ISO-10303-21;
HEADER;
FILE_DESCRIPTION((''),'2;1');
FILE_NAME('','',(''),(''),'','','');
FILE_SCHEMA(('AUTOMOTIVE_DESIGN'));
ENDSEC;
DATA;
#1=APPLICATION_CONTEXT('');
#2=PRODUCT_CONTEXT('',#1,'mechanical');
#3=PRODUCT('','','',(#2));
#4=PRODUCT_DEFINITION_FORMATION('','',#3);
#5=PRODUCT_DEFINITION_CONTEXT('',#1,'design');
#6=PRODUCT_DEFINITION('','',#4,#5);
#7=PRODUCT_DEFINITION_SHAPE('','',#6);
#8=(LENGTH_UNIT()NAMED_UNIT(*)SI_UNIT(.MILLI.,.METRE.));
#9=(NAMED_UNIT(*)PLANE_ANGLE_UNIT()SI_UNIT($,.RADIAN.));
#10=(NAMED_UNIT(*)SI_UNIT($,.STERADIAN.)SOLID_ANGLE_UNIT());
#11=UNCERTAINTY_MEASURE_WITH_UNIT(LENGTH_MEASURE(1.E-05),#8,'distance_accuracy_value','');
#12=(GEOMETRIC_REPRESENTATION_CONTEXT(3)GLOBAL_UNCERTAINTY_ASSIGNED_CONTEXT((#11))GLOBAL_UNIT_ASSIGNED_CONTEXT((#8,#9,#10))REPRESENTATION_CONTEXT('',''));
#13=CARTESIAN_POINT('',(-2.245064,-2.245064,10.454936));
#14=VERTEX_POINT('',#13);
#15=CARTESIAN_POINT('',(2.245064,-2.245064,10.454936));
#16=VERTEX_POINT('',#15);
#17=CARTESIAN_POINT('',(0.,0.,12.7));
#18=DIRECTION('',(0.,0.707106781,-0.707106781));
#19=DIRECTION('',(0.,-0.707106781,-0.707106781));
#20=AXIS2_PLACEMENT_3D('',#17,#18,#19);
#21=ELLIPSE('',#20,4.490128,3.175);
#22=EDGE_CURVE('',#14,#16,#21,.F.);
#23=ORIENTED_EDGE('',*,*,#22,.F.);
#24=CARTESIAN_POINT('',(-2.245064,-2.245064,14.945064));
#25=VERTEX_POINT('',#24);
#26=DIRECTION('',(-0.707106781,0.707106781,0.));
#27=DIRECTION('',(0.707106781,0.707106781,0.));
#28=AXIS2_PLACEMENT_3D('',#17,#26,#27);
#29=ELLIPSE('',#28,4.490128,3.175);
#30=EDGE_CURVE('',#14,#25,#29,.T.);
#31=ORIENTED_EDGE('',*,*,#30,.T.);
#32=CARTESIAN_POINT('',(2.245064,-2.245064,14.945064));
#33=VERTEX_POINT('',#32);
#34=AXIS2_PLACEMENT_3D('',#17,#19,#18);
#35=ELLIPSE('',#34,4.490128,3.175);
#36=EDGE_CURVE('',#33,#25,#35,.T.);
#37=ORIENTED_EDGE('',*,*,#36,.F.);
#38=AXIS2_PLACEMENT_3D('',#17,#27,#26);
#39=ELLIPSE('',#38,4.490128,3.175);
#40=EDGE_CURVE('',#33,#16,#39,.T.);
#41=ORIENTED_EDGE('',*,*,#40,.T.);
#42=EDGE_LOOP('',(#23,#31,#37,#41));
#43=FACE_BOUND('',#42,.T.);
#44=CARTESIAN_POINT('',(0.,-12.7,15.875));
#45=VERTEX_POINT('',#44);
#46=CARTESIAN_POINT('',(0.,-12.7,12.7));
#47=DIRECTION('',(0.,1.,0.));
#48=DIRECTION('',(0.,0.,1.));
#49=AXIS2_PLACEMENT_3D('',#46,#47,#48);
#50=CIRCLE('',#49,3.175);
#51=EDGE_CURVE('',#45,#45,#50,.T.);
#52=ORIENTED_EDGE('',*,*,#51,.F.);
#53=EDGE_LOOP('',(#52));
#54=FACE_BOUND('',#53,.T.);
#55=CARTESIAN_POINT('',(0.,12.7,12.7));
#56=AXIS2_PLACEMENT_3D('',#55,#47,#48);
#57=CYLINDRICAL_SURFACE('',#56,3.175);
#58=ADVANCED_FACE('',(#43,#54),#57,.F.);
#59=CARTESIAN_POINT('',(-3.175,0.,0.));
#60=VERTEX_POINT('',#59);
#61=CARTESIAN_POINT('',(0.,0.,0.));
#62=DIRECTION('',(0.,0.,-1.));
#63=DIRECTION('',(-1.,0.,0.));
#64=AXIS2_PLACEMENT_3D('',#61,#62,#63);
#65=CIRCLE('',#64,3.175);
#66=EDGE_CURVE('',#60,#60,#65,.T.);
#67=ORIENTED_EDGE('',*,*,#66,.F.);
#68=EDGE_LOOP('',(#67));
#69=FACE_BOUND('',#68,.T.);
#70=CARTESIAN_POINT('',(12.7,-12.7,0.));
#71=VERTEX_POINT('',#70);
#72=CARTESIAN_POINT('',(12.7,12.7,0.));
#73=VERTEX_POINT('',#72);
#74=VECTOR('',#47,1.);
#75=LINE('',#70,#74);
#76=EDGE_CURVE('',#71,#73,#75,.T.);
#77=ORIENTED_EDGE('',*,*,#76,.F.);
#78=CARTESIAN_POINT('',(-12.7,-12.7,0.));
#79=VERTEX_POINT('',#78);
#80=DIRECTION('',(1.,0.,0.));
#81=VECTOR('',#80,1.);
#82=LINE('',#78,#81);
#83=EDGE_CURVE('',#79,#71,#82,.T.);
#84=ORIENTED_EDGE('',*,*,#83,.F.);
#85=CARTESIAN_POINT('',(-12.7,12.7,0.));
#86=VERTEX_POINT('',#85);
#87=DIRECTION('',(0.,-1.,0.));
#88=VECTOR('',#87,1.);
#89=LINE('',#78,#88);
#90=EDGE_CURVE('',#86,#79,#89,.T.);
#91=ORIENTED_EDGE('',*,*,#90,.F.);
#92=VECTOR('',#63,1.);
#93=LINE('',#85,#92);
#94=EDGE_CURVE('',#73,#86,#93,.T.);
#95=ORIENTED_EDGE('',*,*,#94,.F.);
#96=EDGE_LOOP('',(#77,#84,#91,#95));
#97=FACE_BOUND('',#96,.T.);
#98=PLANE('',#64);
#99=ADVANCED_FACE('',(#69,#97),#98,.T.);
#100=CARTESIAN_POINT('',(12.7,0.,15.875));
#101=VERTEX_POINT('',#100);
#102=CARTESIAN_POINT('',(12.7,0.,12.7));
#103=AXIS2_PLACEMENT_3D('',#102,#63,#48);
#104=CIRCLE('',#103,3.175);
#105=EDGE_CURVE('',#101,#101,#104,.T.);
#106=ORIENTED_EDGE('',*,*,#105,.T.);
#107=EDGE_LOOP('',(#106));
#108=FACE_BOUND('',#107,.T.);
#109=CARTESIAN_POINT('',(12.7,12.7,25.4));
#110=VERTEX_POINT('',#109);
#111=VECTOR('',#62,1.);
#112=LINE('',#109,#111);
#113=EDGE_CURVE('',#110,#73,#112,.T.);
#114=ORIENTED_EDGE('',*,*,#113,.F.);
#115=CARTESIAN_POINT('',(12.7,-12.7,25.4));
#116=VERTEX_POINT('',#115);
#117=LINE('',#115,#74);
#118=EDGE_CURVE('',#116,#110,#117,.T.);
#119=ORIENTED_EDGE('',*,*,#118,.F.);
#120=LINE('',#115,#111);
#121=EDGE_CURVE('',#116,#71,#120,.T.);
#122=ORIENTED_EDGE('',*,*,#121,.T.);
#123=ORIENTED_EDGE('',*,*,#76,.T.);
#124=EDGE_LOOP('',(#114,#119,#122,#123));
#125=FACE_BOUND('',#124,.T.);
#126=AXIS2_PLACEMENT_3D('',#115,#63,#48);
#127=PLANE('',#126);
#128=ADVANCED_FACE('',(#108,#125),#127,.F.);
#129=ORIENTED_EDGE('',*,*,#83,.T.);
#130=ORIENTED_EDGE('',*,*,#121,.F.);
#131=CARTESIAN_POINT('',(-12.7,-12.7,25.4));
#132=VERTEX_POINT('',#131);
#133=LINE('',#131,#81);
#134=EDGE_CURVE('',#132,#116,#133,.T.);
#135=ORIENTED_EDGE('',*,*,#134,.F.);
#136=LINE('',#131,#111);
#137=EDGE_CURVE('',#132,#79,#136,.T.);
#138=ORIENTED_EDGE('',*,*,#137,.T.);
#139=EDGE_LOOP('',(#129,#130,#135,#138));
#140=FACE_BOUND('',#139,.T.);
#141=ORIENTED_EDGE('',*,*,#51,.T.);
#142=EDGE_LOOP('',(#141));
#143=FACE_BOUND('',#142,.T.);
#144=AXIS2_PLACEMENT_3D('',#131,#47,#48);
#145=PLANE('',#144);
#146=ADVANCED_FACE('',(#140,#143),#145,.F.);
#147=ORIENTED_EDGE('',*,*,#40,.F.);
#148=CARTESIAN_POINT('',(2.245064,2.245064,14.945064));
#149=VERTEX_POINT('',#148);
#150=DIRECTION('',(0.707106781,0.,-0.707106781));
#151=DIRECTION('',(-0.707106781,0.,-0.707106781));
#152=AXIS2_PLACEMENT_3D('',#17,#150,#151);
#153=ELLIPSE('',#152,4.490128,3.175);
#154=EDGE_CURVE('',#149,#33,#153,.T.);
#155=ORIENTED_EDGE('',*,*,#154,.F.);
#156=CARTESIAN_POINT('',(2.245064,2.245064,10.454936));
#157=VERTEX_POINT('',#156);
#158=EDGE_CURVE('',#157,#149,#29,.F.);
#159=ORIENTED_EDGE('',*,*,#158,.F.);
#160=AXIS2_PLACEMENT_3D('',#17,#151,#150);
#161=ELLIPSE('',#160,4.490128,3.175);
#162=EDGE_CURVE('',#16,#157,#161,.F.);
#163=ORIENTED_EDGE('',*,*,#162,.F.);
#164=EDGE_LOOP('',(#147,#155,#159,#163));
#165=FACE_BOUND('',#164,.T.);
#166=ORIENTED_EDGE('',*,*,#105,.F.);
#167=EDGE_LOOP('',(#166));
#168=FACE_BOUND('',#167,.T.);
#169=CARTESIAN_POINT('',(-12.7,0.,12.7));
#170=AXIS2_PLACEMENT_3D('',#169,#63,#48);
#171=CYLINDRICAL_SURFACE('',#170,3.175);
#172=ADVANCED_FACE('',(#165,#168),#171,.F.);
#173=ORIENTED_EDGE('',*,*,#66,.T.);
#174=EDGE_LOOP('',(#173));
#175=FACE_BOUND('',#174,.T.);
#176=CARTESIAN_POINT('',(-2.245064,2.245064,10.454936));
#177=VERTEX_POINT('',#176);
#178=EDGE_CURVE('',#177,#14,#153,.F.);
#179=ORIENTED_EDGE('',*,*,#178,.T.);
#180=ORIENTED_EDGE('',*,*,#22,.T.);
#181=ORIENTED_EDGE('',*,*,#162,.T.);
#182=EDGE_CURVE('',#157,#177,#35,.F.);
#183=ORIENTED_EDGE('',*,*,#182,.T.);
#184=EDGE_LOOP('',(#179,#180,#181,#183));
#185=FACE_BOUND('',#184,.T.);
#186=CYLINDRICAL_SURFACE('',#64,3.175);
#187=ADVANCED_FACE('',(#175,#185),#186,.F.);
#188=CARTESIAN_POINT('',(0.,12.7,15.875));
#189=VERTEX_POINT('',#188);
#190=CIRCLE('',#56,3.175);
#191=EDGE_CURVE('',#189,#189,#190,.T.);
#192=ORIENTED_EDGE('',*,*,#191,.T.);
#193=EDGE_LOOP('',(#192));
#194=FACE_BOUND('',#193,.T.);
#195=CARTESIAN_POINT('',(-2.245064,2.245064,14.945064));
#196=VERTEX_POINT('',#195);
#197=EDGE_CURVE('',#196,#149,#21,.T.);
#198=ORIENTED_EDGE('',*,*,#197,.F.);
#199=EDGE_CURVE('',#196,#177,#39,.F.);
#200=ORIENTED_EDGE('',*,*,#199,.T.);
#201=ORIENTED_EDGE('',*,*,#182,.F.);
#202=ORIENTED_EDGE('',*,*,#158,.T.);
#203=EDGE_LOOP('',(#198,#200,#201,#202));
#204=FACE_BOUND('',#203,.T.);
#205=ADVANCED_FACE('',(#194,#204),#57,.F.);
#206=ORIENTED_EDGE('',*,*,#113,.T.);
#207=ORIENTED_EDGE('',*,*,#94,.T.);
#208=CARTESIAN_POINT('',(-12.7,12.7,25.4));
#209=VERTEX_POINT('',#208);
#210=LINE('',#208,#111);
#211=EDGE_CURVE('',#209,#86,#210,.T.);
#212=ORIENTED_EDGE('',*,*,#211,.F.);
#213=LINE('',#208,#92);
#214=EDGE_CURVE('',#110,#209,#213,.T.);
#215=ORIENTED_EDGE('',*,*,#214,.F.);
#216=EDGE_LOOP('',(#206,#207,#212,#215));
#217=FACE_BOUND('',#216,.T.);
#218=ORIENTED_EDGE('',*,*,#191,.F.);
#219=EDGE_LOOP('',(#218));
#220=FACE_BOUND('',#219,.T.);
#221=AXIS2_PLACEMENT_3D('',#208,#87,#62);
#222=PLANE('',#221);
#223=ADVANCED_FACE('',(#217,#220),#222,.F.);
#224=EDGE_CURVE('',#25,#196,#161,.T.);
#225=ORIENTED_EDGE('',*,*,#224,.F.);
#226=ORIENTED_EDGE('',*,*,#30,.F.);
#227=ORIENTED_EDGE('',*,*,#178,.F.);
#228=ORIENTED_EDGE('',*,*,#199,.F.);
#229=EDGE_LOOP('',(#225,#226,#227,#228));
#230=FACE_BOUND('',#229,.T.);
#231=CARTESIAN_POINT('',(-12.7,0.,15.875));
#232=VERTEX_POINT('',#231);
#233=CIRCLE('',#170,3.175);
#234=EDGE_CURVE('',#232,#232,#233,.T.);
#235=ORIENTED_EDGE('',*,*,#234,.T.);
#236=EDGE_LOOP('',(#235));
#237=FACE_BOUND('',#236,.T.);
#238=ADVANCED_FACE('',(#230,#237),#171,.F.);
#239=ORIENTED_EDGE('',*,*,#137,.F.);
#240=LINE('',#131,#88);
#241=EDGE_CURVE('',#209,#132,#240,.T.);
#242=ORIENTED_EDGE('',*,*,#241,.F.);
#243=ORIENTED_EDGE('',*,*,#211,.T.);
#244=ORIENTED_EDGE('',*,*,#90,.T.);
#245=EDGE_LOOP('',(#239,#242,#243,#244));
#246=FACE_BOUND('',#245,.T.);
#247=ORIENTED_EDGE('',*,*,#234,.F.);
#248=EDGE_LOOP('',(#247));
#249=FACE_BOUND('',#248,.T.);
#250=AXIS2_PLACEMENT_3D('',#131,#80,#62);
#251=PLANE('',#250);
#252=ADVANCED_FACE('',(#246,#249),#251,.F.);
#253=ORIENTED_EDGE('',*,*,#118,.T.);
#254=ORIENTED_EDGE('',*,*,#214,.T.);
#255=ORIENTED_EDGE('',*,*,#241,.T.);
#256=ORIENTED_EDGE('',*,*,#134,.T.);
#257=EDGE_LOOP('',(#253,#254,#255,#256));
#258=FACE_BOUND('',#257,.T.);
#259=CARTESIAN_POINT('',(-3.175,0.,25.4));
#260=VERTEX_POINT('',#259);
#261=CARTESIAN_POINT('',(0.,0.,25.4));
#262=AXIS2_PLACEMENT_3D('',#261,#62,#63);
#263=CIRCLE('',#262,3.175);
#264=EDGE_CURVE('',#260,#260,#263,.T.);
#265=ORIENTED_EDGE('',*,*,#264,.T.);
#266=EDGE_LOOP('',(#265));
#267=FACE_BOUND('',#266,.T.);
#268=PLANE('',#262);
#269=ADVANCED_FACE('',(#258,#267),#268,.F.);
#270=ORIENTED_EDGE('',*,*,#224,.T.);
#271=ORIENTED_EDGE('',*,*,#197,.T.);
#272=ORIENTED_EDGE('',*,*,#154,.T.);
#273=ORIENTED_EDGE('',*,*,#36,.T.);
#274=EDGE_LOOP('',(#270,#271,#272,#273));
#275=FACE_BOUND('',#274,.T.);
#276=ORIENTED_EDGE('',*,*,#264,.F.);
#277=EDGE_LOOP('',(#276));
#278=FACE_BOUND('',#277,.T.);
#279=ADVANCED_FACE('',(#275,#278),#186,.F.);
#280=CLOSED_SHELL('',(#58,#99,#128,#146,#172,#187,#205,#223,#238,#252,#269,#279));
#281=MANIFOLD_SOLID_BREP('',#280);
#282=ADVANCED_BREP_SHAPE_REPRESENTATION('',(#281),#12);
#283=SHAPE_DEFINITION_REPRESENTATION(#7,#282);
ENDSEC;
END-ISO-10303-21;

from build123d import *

# Parameters (mm, degrees)
SKETCH1_W                   = 25.4
SKETCH1_H                   = 25.4
BOSS_EXTRUDE1_DEPTH         = 25.4
F_1_4_0_25_DIAMETER_HOLE1_D = 6.35
F_1_4_0_25_DIAMETER_HOLE2_D = 6.35
F_1_4_0_25_DIAMETER_HOLE3_D = 6.35


with BuildPart() as part:
    # Sketch1 → Boss-Extrude1 (new body)
    with BuildSketch(Plane.XY):
        Rectangle(SKETCH1_W, SKETCH1_H)
    extrude(amount=BOSS_EXTRUDE1_DEPTH)

    # 1/4 (0.25) Diameter Hole1 (through all)
    with Locations(Plane(origin=(0, 0, 0), x_dir=(-1, 0, 0), z_dir=(0, 0, -1))):
        with Locations((0, 0)):
            Hole(F_1_4_0_25_DIAMETER_HOLE1_D / 2)

    # 1/4 (0.25) Diameter Hole2 (through all)
    with Locations(Plane(origin=(0, 12.7, 0), x_dir=(1, 0, 0), z_dir=(0, 1, 0))):
        with Locations((0, -12.7)):
            Hole(F_1_4_0_25_DIAMETER_HOLE2_D / 2)

    # 1/4 (0.25) Diameter Hole3 (through all)
    with Locations(Plane.ZY.offset(12.7)):
        with Locations((12.7, 0)):
            Hole(F_1_4_0_25_DIAMETER_HOLE3_D / 2)


solid = part.part
